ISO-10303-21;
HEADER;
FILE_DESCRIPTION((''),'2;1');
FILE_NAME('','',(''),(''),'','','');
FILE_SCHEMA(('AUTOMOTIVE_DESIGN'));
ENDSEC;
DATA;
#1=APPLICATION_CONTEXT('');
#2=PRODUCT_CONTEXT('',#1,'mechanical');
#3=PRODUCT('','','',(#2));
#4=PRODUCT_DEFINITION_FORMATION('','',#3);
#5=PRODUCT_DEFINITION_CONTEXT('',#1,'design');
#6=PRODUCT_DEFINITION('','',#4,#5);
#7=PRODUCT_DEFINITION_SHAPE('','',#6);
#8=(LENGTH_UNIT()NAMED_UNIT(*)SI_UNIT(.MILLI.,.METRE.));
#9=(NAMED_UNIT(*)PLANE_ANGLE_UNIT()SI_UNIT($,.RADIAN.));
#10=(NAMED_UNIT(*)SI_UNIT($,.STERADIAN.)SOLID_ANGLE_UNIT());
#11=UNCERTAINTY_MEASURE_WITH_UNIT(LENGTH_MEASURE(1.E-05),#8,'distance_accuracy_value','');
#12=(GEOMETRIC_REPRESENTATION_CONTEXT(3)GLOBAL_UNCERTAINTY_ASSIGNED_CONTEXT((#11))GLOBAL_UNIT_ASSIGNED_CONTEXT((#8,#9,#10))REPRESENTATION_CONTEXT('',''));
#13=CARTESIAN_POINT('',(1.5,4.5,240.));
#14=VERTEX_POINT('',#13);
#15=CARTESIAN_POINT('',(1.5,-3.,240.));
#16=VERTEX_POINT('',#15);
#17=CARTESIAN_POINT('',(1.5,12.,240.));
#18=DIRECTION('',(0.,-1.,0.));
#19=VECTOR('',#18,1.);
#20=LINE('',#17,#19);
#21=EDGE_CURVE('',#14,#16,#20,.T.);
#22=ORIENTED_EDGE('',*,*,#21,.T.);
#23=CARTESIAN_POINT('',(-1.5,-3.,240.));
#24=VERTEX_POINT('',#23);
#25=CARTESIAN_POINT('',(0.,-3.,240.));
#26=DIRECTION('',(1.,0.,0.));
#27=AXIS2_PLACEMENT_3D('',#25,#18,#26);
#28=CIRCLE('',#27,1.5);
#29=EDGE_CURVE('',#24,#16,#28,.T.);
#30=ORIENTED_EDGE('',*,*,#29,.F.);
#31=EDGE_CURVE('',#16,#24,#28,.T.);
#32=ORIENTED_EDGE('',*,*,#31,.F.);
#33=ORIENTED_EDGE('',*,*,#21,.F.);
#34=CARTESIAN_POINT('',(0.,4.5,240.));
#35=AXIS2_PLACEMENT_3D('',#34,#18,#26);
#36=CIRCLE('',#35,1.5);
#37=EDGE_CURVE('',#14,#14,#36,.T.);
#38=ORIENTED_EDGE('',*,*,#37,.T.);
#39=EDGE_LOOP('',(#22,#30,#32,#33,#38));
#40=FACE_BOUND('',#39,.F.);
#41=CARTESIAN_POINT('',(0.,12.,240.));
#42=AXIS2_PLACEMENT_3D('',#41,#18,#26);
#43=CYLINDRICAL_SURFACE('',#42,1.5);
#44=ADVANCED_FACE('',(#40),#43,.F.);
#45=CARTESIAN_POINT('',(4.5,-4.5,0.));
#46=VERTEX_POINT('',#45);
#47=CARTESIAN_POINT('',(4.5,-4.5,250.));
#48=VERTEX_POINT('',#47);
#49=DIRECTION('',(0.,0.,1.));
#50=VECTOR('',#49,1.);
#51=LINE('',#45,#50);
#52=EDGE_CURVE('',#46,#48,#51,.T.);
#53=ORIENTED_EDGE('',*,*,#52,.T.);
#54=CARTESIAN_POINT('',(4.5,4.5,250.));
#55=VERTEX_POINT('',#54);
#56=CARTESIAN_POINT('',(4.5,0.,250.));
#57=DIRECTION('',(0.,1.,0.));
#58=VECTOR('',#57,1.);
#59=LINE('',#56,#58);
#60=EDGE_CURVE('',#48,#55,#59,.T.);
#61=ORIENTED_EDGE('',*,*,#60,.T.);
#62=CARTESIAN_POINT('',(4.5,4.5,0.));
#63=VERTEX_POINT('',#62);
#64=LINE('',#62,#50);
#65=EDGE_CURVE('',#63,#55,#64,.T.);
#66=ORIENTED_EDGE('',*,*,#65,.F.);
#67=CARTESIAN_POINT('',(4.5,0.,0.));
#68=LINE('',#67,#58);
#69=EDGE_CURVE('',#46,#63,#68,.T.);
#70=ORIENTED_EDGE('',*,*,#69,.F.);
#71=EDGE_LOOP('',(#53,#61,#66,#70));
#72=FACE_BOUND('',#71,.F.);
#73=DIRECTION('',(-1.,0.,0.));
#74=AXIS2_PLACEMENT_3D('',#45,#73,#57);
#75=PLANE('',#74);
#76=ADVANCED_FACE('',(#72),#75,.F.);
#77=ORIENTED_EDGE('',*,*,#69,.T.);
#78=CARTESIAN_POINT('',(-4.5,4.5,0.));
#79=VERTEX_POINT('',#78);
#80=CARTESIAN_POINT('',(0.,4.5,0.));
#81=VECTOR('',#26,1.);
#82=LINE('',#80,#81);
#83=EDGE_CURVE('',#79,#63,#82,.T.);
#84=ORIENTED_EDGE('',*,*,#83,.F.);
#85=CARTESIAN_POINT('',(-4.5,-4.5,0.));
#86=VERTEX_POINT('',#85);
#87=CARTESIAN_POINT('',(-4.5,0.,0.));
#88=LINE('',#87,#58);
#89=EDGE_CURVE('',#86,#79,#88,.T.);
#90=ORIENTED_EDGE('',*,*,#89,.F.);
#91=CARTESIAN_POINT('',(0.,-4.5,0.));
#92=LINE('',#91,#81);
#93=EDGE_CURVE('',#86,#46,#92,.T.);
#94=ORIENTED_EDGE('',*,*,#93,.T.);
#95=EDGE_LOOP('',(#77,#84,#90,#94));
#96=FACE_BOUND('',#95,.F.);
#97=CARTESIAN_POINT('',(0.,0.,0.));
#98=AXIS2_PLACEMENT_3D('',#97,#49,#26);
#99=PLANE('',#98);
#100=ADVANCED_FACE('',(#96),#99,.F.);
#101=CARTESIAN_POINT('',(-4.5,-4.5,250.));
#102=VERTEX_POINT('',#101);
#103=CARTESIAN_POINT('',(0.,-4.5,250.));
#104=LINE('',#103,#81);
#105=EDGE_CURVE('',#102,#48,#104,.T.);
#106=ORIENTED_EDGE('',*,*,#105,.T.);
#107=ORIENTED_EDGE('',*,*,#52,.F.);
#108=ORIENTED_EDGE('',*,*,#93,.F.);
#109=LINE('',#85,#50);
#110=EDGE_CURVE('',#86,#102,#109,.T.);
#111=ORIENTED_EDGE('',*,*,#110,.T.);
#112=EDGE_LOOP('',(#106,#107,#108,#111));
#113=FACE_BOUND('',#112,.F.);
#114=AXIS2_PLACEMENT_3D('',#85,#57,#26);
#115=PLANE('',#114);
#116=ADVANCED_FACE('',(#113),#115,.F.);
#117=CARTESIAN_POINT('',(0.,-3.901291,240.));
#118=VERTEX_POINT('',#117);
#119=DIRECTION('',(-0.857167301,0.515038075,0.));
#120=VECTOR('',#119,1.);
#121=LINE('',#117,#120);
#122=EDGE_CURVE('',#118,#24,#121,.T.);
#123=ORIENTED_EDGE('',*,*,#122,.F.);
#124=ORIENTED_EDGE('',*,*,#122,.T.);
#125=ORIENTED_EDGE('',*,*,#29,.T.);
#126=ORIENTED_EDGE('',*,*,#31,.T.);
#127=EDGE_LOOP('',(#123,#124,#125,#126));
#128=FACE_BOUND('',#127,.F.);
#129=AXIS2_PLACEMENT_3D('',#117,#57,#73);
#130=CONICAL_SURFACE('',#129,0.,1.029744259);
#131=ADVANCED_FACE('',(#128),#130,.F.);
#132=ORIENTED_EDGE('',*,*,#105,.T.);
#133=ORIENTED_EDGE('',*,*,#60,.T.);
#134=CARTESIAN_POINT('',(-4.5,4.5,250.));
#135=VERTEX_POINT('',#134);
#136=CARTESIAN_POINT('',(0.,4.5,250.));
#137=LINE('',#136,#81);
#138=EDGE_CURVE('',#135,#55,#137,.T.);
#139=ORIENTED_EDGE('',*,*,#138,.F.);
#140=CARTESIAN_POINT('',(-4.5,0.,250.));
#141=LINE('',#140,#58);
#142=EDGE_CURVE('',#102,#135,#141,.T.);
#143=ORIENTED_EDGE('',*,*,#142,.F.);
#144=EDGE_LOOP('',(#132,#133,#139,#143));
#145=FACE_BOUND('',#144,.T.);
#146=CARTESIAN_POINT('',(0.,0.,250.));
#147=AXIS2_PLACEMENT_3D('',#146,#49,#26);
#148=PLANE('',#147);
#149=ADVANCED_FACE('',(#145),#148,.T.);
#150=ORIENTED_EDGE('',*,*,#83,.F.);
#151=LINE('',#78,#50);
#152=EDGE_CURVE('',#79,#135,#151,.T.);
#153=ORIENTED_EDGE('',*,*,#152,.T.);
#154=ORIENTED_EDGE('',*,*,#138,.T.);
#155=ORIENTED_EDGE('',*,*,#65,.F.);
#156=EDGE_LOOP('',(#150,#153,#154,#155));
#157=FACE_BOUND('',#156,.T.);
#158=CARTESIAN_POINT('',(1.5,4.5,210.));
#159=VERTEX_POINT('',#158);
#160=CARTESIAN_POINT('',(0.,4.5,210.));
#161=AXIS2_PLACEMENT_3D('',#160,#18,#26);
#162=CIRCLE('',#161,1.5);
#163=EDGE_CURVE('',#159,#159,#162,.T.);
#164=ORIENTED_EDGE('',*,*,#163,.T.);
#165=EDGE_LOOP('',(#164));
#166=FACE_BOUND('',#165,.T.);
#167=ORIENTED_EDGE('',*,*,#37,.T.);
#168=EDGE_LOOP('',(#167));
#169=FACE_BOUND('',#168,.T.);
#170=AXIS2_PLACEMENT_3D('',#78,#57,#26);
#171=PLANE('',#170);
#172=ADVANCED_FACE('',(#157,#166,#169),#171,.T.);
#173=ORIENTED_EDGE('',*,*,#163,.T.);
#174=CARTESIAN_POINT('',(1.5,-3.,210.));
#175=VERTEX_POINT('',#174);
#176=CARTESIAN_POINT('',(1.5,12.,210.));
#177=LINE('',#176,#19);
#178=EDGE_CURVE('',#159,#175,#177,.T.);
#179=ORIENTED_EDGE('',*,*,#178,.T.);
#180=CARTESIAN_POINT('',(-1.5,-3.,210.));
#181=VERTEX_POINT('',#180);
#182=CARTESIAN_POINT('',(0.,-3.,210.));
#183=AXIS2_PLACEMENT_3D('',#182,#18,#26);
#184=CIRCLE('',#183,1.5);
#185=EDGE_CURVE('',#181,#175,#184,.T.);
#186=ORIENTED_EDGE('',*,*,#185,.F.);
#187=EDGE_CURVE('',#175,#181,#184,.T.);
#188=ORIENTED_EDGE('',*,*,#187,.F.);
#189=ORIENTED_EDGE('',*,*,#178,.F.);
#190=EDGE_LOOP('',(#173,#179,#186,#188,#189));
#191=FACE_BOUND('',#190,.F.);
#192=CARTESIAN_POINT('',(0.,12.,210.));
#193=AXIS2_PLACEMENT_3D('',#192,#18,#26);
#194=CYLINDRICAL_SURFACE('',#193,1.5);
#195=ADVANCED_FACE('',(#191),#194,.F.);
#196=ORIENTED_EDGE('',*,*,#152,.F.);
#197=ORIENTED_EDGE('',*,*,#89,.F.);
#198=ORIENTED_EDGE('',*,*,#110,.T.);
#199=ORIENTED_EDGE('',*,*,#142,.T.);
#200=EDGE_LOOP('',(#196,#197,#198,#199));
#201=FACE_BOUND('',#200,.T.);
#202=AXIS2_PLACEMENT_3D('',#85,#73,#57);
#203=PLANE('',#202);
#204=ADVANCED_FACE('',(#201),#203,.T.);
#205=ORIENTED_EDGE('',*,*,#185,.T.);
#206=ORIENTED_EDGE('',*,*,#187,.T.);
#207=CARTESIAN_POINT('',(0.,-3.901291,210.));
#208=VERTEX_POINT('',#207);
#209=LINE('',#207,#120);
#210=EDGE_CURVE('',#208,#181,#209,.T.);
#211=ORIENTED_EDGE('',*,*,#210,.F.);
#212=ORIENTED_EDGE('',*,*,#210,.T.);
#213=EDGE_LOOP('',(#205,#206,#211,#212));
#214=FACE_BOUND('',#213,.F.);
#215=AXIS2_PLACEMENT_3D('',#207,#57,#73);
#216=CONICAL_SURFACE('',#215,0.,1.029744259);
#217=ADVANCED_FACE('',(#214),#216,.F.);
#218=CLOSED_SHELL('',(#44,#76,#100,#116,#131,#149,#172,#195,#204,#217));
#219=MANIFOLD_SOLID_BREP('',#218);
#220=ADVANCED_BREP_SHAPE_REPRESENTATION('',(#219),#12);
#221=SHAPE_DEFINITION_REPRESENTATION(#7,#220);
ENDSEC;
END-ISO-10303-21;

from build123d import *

# Parameters (mm, degrees)
F0_W     = 9
F0_H     = 9
F1_DEPTH = 250
F3_D     = 3
F3_DEPTH = 7.5
F3_TIP   = 0.9012909285


with BuildPart() as f1:
    # F0 (on Top) → F1 (new body)
    with BuildSketch(Plane.XY):
        Rectangle(F0_W, F0_H)
    extrude(amount=F1_DEPTH)

    # F3
    with Locations(Plane(origin=(0, 4.5, 0), x_dir=(-1, 0, 0), z_dir=(0, 1, 0))):
        with Locations((0, 240), (0, 210)):
            Hole(F3_D / 2, depth=F3_DEPTH)
            with Locations((0, 0, -(F3_DEPTH + F3_TIP / 2))):  # 118° drill point
                Cone(0, F3_D / 2, F3_TIP, mode=Mode.SUBTRACT)


solid = f1.part
